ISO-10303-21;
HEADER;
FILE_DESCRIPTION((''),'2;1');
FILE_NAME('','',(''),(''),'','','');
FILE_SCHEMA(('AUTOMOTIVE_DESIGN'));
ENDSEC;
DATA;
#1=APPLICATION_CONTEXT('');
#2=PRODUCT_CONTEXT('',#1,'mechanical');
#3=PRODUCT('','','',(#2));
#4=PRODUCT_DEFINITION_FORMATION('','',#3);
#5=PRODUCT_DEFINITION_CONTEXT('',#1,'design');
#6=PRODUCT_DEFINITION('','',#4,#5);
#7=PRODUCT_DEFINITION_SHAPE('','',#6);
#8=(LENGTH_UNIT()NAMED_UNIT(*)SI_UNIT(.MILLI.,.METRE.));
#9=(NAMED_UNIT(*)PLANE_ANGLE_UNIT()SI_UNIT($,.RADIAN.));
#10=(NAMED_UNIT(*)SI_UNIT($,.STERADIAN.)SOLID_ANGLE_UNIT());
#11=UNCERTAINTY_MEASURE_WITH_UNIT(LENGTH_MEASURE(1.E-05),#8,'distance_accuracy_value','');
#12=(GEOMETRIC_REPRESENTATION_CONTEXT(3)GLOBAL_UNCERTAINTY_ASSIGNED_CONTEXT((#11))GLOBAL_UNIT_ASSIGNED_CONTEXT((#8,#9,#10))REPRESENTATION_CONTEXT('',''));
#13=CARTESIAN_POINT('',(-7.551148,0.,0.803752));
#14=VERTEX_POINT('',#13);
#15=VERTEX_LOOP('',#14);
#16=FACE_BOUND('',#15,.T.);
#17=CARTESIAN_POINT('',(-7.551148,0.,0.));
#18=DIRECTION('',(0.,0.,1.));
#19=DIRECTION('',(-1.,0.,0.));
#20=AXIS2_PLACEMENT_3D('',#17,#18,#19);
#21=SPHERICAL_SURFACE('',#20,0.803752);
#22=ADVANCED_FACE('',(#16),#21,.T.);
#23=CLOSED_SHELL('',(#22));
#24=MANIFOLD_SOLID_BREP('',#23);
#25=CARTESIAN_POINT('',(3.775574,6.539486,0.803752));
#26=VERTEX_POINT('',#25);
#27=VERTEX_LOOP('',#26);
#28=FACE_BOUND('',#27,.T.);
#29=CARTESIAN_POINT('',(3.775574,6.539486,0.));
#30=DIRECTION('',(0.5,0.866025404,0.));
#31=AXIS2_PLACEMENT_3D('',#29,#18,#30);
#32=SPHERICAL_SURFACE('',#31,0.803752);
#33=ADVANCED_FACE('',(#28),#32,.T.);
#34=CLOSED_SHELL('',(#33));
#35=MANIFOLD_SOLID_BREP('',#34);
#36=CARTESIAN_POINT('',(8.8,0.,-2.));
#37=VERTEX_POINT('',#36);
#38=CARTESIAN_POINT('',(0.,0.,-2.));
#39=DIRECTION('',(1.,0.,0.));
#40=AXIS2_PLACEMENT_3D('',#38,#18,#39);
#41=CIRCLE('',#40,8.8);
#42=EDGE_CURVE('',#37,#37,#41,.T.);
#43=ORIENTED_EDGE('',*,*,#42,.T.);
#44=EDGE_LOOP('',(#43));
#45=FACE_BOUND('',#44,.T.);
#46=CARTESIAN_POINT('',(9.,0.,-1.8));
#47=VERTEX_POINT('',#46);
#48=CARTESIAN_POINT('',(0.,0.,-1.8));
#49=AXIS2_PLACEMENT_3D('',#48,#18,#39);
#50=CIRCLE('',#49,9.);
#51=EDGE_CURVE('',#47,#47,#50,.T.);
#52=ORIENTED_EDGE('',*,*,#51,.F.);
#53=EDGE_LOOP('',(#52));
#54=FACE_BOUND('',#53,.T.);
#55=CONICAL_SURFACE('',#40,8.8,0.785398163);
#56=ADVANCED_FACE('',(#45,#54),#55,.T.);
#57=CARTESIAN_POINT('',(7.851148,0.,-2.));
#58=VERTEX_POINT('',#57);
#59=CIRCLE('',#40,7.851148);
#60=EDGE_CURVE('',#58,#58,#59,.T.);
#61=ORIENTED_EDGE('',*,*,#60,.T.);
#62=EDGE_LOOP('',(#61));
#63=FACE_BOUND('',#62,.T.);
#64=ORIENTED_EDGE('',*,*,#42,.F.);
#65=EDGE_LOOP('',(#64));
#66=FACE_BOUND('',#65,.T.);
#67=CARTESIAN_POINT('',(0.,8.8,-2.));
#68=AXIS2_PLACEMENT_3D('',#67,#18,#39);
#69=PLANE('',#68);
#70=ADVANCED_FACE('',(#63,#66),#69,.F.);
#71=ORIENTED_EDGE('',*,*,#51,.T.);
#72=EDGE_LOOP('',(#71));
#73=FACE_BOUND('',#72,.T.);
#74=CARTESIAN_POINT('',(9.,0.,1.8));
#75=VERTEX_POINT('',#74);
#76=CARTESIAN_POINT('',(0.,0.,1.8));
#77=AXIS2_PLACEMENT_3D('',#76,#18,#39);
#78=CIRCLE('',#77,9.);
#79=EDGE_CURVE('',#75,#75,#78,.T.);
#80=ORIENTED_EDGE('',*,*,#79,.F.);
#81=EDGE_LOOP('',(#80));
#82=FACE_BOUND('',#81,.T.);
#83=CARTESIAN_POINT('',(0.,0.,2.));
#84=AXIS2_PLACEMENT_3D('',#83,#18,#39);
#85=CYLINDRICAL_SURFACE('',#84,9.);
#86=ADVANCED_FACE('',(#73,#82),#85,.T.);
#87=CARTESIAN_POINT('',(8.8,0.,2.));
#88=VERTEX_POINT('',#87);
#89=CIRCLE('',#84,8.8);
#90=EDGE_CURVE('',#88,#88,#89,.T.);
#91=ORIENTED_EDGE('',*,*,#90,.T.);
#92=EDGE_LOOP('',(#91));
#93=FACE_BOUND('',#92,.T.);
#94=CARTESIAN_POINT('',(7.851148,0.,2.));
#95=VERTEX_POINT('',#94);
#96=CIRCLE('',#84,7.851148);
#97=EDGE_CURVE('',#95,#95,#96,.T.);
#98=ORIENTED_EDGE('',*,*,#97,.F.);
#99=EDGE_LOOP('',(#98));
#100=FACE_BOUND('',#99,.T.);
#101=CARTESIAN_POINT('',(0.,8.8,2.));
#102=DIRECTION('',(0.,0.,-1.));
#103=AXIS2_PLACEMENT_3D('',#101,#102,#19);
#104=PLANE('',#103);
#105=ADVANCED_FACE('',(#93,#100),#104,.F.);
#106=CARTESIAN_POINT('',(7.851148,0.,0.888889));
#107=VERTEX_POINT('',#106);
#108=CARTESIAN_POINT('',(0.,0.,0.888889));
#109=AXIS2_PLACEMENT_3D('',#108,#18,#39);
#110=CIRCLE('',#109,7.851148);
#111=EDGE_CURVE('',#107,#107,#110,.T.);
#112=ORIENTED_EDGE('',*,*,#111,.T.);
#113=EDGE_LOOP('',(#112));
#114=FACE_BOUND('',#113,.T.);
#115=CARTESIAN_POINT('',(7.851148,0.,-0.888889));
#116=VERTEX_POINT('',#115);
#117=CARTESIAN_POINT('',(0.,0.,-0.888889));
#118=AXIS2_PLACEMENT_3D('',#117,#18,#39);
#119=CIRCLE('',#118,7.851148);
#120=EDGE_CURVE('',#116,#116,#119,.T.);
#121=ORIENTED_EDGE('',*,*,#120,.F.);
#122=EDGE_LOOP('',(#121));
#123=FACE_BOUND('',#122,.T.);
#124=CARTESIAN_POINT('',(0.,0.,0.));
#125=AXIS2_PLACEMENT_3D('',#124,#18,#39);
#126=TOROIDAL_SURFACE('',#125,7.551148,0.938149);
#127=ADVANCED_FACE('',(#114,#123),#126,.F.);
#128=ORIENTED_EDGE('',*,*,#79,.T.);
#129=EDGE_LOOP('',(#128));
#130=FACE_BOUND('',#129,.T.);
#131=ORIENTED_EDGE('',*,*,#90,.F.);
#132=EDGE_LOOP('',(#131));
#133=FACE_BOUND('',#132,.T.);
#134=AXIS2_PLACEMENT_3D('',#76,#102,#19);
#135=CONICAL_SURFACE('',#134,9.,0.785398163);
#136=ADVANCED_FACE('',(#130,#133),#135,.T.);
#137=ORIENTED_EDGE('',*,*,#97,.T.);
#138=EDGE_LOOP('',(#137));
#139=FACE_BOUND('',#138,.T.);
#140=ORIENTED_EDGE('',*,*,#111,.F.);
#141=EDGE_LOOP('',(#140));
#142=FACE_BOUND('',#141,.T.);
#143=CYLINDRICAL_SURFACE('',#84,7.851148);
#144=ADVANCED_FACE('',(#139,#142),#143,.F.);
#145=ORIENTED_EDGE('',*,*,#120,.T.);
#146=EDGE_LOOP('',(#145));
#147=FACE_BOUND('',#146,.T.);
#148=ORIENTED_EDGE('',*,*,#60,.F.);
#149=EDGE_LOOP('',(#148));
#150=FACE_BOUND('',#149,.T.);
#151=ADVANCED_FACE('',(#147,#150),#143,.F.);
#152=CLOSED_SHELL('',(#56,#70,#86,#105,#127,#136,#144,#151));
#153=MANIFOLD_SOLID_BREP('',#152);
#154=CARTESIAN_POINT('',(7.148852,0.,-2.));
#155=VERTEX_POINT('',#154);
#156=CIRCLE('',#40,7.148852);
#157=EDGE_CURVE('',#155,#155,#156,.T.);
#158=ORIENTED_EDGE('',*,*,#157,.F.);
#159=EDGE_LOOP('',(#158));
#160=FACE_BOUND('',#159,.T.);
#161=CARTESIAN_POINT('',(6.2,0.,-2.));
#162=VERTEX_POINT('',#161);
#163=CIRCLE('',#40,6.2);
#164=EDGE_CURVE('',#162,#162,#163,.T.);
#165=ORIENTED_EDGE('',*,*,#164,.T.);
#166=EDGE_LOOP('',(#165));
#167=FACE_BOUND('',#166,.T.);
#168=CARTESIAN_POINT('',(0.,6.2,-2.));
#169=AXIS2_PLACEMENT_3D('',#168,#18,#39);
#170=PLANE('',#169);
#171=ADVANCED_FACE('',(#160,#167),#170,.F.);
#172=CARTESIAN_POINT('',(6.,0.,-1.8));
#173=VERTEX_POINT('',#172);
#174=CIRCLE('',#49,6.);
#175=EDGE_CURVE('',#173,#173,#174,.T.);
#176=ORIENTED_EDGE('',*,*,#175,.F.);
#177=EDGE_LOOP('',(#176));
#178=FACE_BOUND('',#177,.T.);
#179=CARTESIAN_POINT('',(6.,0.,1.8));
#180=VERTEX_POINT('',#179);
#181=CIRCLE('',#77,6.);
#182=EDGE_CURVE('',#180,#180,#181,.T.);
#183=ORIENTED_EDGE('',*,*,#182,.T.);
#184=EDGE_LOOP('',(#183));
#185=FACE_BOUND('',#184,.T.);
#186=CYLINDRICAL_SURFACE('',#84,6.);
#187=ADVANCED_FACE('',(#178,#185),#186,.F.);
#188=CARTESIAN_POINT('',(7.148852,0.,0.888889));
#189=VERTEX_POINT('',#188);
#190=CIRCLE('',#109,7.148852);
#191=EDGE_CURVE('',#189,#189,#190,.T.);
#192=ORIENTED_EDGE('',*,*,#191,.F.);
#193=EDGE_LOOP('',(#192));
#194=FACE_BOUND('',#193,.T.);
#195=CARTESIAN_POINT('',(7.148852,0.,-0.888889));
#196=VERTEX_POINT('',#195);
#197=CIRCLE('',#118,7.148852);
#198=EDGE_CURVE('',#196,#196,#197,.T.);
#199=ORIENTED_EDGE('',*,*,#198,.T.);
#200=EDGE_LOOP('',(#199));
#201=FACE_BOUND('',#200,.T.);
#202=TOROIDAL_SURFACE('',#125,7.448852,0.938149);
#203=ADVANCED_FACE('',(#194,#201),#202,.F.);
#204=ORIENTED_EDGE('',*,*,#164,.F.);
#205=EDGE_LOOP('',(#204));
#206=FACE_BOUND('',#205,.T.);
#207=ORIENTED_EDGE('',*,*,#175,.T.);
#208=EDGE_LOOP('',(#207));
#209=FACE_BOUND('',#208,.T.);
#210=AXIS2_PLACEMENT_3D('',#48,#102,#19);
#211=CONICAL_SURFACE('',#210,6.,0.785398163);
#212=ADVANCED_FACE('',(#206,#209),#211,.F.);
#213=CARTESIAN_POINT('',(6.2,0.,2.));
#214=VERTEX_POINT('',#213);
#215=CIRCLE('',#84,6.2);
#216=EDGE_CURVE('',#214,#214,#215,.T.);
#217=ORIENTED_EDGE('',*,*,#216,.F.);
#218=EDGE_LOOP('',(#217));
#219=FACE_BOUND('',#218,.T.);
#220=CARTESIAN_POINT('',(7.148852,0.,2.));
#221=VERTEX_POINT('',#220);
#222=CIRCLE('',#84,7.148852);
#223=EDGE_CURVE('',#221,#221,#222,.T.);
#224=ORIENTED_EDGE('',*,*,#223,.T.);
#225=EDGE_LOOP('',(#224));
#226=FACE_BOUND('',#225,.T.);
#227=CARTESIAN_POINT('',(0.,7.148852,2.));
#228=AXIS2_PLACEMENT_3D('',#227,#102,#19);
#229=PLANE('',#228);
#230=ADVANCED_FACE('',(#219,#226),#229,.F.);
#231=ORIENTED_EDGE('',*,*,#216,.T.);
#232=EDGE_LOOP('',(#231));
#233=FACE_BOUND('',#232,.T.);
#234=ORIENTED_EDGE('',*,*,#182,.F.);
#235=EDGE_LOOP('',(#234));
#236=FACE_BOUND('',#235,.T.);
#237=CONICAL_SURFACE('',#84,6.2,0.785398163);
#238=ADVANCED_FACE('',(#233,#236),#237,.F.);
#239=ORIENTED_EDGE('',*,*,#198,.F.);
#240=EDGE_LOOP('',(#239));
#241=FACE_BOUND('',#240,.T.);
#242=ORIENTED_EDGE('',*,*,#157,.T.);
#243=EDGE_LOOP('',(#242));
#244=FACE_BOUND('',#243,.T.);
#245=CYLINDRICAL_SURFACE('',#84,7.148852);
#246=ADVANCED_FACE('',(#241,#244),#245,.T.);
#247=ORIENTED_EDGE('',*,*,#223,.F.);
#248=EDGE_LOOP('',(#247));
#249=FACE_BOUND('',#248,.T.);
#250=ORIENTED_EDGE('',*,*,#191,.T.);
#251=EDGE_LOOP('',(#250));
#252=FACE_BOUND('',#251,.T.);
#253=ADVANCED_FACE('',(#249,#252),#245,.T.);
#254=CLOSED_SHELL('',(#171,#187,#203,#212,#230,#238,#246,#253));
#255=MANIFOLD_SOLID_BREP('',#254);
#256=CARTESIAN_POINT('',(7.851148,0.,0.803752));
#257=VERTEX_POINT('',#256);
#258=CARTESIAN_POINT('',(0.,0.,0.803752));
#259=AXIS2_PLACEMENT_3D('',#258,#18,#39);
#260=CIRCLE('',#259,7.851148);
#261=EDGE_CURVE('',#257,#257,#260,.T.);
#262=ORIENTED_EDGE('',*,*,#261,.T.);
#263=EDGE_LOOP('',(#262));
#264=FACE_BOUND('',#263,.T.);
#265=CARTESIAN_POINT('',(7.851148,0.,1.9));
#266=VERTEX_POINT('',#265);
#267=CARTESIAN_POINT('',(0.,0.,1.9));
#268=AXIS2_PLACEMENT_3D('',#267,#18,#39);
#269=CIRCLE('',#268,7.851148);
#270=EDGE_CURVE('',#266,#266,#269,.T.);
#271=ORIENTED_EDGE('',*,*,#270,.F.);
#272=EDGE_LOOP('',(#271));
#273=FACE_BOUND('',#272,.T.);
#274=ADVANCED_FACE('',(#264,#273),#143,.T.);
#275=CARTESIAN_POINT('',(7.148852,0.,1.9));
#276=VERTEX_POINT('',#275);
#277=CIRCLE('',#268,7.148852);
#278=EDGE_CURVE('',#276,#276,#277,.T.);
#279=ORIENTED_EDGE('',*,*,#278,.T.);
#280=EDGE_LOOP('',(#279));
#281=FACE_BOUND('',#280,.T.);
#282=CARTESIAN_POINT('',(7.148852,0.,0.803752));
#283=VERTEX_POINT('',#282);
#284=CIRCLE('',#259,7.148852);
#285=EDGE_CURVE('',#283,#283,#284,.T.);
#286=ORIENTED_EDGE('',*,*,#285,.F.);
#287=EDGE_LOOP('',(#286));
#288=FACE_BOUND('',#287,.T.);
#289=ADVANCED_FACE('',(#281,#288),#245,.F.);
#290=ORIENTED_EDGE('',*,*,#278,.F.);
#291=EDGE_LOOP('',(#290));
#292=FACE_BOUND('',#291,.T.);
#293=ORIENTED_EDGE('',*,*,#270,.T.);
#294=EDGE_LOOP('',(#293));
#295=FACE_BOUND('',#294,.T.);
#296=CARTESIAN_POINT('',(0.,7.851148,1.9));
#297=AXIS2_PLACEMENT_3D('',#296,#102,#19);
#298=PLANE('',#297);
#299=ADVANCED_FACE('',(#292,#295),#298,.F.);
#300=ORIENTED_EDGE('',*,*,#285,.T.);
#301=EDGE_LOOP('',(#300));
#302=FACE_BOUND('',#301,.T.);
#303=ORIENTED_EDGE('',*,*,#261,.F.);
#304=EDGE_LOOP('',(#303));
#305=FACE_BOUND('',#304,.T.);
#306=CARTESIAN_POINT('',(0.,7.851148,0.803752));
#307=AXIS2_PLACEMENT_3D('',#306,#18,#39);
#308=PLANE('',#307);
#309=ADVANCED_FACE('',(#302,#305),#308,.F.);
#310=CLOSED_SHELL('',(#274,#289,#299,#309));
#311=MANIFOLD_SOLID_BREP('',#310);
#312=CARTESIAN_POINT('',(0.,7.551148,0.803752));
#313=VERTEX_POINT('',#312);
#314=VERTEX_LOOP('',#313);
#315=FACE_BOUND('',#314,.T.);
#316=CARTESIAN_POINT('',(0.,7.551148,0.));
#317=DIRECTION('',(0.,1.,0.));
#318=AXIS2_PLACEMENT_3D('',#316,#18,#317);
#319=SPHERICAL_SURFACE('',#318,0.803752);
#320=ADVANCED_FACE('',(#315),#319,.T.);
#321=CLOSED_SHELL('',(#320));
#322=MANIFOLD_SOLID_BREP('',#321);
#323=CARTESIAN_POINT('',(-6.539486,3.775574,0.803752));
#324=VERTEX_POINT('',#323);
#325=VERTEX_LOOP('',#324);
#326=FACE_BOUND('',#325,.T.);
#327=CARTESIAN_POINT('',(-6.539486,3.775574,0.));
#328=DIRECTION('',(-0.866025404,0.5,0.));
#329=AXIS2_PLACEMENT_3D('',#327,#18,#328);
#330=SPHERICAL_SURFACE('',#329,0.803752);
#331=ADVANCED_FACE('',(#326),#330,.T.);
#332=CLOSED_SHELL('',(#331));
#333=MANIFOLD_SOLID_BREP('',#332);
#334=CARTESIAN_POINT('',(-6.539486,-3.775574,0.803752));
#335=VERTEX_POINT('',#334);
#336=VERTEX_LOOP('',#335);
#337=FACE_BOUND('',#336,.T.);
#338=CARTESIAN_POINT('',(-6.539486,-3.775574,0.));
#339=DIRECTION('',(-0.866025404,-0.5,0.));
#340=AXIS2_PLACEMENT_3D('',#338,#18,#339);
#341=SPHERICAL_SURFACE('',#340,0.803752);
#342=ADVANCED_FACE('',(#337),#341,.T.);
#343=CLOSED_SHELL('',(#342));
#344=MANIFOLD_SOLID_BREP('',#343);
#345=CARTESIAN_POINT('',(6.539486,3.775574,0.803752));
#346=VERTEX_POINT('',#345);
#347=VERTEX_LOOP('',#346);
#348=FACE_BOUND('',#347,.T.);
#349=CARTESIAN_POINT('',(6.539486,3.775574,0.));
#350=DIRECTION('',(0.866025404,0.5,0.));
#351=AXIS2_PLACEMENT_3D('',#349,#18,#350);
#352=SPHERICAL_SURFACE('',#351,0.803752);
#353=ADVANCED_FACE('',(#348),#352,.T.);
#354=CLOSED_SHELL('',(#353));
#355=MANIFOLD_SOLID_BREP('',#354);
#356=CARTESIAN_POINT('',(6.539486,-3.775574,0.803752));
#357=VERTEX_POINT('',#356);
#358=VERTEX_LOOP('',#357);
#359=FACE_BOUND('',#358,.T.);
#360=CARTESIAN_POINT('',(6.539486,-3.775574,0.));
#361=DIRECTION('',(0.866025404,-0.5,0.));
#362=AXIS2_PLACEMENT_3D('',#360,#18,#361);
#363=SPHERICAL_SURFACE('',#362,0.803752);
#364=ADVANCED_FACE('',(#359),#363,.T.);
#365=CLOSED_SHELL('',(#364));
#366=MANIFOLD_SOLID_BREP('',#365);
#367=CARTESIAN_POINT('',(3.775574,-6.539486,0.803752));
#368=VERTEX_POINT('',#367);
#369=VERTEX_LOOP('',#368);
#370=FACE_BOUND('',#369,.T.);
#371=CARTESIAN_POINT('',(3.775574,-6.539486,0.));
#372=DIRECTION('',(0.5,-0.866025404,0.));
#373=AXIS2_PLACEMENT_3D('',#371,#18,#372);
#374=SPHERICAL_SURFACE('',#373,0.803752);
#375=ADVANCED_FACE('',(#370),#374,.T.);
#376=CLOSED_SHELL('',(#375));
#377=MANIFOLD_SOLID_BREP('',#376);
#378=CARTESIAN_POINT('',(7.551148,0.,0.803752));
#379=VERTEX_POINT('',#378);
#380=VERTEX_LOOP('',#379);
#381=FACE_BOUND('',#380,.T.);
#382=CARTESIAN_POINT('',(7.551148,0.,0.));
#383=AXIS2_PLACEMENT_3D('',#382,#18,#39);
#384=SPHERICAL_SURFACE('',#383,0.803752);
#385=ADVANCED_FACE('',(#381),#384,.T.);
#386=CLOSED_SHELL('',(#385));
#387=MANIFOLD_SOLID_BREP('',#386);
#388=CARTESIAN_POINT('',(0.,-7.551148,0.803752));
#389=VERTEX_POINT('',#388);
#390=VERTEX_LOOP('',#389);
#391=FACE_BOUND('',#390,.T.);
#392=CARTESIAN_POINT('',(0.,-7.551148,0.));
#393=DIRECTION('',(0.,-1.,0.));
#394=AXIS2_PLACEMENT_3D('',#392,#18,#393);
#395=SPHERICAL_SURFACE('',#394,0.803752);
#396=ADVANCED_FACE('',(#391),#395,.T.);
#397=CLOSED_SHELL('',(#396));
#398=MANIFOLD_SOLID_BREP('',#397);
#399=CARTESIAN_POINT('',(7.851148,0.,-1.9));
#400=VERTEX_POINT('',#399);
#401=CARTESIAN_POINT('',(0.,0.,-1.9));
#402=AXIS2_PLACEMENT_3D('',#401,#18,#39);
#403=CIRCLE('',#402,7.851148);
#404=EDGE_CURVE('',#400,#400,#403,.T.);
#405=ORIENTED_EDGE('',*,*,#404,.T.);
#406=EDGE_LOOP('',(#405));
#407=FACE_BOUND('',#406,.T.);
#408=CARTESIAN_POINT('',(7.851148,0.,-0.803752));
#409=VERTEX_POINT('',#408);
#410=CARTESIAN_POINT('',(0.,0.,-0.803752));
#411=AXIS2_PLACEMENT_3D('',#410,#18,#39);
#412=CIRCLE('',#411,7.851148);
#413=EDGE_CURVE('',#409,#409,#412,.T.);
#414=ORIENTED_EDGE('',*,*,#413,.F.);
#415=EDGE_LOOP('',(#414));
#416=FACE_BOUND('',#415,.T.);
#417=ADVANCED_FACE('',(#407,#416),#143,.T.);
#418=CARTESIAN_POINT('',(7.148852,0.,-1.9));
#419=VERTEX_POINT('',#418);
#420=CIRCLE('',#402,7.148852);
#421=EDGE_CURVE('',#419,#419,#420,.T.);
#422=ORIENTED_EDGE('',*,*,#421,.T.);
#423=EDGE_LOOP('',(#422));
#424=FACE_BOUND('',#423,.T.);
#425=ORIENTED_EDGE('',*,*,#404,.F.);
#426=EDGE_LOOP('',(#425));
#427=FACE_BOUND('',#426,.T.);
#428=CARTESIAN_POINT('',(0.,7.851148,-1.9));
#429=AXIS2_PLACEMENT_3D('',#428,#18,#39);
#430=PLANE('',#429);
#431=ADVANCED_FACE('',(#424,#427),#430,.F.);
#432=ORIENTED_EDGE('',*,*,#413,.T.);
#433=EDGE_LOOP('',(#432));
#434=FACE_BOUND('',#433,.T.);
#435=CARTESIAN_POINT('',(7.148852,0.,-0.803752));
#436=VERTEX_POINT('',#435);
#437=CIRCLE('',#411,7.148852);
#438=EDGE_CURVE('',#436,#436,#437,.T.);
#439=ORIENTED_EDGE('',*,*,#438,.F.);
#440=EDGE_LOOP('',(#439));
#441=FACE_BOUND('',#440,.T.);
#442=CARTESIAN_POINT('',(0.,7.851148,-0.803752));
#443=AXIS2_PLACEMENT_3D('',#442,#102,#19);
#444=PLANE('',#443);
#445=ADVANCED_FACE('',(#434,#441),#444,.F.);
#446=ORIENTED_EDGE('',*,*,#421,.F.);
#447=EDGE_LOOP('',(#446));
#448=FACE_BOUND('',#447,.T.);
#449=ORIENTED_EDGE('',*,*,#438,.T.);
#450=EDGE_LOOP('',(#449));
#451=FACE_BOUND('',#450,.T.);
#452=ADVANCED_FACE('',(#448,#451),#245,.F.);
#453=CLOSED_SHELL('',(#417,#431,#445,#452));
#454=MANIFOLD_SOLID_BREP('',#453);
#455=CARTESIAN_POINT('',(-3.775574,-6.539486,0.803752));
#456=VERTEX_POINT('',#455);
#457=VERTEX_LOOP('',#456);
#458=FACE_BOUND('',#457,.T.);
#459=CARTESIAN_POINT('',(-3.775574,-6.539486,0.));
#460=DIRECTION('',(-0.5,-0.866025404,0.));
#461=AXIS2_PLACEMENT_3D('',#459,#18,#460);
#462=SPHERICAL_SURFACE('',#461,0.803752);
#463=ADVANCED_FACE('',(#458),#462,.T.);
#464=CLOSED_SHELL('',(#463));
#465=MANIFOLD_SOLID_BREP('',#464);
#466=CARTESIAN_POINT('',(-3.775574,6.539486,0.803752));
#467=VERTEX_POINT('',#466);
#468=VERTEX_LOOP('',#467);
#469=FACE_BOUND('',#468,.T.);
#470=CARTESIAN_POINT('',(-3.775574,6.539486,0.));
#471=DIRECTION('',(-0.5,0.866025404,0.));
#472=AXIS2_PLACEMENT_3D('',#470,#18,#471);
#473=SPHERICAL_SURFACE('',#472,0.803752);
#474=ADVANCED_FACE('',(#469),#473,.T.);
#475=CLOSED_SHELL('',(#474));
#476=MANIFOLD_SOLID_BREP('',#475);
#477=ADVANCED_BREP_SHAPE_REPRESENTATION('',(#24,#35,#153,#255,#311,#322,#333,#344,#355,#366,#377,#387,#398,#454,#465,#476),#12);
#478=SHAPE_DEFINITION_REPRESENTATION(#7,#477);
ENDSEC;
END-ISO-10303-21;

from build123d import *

# Parameters (mm, degrees)
CIRPATTERN1_COUNT = 12
SKETCH5_W         = 1.09624822
SKETCH5_H         = 0.702296138


with BuildPart() as part:
    # Sketch1 → Revolve1 (revolve)
    with BuildSketch(Plane(origin=(0, 0, 0), x_dir=(0, 0, -1), z_dir=(1, 0, 0))):
        with BuildLine():
            Line((1.8, 9), (-1.8, 9))
            Line((-1.8, 9), (-2, 8.8))
            Line((-2, 8.8), (-2, 7.851148069))
            Line((-2, 7.851148069), (-0.888888889, 7.851148069))
            ThreePointArc((-0.888888889, 7.851148069), (0, 8.489297022), (0.888888889, 7.851148069))
            Line((0.888888889, 7.851148069), (2, 7.851148069))
            Line((2, 7.851148069), (2, 8.8))
            Line((2, 8.8), (1.8, 9))
        make_face()
    revolve(axis=Axis((0, 0, 2), (0, 0, -1)))


with BuildPart() as body_2:
    # Sketch3 → Revolve3 (revolve)
    with BuildSketch(Plane(origin=(0, 0, 0), x_dir=(0, 0, -1), z_dir=(1, 0, 0))):
        with BuildLine():
            Line((-2, 7.148851931), (-0.888888889, 7.148851931))
            ThreePointArc((-0.888888889, 7.148851931), (0, 6.510702978), (0.888888889, 7.148851931))
            Line((0.888888889, 7.148851931), (2, 7.148851931))
            Line((2, 7.148851931), (2, 6.2))
            Line((2, 6.2), (1.8, 6))
            Line((1.8, 6), (-1.8, 6))
            Line((-1.8, 6), (-2, 6.2))
            Line((-2, 6.2), (-2, 7.148851931))
        make_face()
    revolve(axis=Axis((0, 0, 2), (0, 0, -1)))


with BuildPart() as body_3:
    # Sketch4 → Revolve4 (revolve)
    with BuildSketch(Plane(origin=(0, 0, 0), x_dir=(0, 0, -1), z_dir=(1, 0, 0))):
        with BuildLine():
            Line((-0.80375178, 7.551148069), (0.80375178, 7.551148069))
            ThreePointArc((0.80375178, 7.551148069), (0, 8.354899849), (-0.80375178, 7.551148069))
        make_face()
    revolve(axis=Axis((0, 7.551148069, 0.80375178), (0, 0, -1)))


with BuildPart() as cirpattern1_1:
    # CirPattern1: pattern copy
    add(body_3.part.rotate(Axis((0, 0, -2), (0, 0, 1)), 1 * 360 / CIRPATTERN1_COUNT))


with BuildPart() as cirpattern1_2:
    # CirPattern1: pattern copy
    add(body_3.part.rotate(Axis((0, 0, -2), (0, 0, 1)), 2 * 360 / CIRPATTERN1_COUNT))


with BuildPart() as cirpattern1_3:
    # CirPattern1: pattern copy
    add(body_3.part.rotate(Axis((0, 0, -2), (0, 0, 1)), 3 * 360 / CIRPATTERN1_COUNT))


with BuildPart() as cirpattern1_4:
    # CirPattern1: pattern copy
    add(body_3.part.rotate(Axis((0, 0, -2), (0, 0, 1)), 4 * 360 / CIRPATTERN1_COUNT))


with BuildPart() as cirpattern1_5:
    # CirPattern1: pattern copy
    add(body_3.part.rotate(Axis((0, 0, -2), (0, 0, 1)), 5 * 360 / CIRPATTERN1_COUNT))


with BuildPart() as cirpattern1_6:
    # CirPattern1: pattern copy
    add(body_3.part.rotate(Axis((0, 0, -2), (0, 0, 1)), 6 * 360 / CIRPATTERN1_COUNT))


with BuildPart() as cirpattern1_7:
    # CirPattern1: pattern copy
    add(body_3.part.rotate(Axis((0, 0, -2), (0, 0, 1)), 7 * 360 / CIRPATTERN1_COUNT))


with BuildPart() as cirpattern1_8:
    # CirPattern1: pattern copy
    add(body_3.part.rotate(Axis((0, 0, -2), (0, 0, 1)), 8 * 360 / CIRPATTERN1_COUNT))


with BuildPart() as cirpattern1_9:
    # CirPattern1: pattern copy
    add(body_3.part.rotate(Axis((0, 0, -2), (0, 0, 1)), 9 * 360 / CIRPATTERN1_COUNT))


with BuildPart() as cirpattern1_10:
    # CirPattern1: pattern copy
    add(body_3.part.rotate(Axis((0, 0, -2), (0, 0, 1)), 10 * 360 / CIRPATTERN1_COUNT))


with BuildPart() as cirpattern1_11:
    # CirPattern1: pattern copy
    add(body_3.part.rotate(Axis((0, 0, -2), (0, 0, 1)), 11 * 360 / CIRPATTERN1_COUNT))


with BuildPart() as body_15:
    # Sketch5 → Revolve5 (revolve)
    with BuildSketch(Plane(origin=(0, 0, 0), x_dir=(0, 0, -1), z_dir=(1, 0, 0))):
        with Locations((-1.35187589, 7.5)):
            Rectangle(SKETCH5_W, SKETCH5_H)
        with Locations((1.35187589, 7.5)):
            Rectangle(SKETCH5_W, SKETCH5_H)
    revolve(axis=Axis((0, 0, 2), (0, 0, -1)))


solid = Compound([part.part, body_2.part, body_3.part, cirpattern1_1.part, cirpattern1_2.part, cirpattern1_3.part, cirpattern1_4.part, cirpattern1_5.part, cirpattern1_6.part, cirpattern1_7.part, cirpattern1_8.part, cirpattern1_9.part, cirpattern1_10.part, cirpattern1_11.part, body_15.part])
